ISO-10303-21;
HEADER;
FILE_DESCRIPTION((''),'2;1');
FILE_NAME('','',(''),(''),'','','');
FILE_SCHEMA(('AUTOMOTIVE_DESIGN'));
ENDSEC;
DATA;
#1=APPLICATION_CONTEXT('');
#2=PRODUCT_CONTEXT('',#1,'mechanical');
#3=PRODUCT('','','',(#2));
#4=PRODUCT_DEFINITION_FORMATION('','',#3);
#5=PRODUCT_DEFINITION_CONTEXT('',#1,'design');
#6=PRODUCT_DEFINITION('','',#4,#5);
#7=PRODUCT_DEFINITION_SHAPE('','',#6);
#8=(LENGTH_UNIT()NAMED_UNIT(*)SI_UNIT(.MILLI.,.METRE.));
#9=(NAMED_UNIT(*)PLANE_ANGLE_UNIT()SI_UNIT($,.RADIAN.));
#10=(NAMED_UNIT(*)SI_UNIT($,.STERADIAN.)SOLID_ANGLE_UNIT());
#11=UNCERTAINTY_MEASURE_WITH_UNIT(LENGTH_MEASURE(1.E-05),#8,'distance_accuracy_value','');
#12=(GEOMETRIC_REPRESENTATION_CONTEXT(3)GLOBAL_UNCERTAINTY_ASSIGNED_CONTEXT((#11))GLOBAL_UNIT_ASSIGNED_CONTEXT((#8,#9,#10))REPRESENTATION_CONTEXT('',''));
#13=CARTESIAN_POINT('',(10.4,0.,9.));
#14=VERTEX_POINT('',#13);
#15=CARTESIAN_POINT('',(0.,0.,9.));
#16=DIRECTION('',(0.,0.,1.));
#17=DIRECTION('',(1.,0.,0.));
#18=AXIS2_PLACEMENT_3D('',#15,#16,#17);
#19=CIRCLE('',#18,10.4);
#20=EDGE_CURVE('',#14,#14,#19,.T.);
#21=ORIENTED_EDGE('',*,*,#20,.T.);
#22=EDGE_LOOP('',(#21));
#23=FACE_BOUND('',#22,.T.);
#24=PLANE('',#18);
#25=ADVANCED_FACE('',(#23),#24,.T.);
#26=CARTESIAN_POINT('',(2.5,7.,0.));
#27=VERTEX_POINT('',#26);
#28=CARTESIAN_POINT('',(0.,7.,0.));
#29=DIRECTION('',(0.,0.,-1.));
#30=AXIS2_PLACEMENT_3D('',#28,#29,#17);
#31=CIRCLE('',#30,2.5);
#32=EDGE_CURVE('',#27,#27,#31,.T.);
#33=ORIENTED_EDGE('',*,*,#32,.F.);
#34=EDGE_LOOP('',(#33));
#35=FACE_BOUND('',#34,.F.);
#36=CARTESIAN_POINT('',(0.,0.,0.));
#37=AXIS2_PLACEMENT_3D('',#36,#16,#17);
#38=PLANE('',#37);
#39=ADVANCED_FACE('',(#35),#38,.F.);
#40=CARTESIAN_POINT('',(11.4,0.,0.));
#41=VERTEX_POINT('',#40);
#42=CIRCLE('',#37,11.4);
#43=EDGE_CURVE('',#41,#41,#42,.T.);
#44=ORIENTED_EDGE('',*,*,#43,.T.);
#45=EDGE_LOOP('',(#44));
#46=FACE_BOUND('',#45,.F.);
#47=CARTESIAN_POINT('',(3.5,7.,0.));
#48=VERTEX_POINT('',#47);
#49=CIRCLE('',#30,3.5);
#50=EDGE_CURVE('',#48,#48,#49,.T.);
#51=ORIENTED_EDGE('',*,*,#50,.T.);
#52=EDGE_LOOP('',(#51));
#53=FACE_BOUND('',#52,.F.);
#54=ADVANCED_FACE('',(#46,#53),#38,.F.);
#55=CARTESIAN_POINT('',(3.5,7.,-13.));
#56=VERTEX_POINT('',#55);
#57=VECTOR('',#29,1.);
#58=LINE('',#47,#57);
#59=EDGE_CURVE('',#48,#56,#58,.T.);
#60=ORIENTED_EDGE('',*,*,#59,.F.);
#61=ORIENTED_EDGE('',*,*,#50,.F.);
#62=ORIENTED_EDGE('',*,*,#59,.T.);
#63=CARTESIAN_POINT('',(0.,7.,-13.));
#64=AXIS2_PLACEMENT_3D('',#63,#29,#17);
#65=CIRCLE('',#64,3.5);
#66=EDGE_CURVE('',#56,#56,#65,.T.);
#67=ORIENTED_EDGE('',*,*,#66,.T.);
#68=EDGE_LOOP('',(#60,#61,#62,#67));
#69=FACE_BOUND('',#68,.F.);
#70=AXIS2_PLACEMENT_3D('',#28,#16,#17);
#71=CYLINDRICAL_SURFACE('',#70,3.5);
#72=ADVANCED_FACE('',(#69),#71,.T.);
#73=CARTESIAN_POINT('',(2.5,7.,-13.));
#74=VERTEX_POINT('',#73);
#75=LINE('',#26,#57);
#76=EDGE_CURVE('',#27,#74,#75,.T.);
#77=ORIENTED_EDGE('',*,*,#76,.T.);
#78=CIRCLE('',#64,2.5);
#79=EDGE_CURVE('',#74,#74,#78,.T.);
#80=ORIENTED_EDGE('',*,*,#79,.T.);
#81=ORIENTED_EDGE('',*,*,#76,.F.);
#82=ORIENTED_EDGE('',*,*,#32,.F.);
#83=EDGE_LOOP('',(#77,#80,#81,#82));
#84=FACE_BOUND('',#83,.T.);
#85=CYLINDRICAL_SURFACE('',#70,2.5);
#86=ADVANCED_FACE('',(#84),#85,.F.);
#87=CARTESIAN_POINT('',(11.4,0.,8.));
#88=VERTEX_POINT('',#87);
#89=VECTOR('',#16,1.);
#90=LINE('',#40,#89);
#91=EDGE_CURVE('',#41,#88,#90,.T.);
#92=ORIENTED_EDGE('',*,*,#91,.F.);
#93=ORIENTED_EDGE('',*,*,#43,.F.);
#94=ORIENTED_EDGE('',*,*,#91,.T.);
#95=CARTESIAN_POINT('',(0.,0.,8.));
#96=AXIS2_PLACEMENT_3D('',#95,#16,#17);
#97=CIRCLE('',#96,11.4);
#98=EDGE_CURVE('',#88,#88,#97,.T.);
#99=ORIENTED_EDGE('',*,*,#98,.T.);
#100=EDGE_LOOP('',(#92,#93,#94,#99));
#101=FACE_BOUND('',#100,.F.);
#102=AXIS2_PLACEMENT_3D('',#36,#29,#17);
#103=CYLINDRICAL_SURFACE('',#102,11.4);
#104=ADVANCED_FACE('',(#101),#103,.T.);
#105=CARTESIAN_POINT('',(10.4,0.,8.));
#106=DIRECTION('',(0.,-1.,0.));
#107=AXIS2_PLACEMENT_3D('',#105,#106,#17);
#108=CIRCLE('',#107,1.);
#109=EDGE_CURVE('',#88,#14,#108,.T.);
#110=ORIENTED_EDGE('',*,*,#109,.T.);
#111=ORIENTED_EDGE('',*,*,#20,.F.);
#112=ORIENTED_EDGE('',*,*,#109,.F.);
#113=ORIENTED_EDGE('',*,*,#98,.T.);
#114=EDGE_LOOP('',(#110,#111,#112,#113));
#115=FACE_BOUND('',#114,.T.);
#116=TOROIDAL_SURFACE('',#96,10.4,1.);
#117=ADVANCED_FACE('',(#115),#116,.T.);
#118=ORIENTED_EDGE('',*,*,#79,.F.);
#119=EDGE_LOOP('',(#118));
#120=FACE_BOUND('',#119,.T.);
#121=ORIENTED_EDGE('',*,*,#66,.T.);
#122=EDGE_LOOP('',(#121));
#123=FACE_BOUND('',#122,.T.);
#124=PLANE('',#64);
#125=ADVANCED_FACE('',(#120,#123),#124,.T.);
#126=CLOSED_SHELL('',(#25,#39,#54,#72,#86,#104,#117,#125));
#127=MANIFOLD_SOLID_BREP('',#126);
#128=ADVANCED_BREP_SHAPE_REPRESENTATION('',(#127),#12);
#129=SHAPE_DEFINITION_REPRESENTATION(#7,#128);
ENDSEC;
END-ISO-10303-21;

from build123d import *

# Parameters (mm, degrees)
F0_R     = 11.4
F1_DEPTH = 9
F2_R     = 3.5
F2_R_2   = 2.5
F3_DEPTH = 13
F4_R     = 1


with BuildPart() as f1:
    # F0 (on Top) → F1 (new body)
    with BuildSketch(Plane.XY):
        Circle(F0_R)
    extrude(amount=F1_DEPTH)

    # F2 (on face) → F3 (join)
    with BuildSketch(Plane(origin=(0, 0, 0), x_dir=(1, 0, 0), z_dir=(0, 0, -1))):
        with Locations((0, -7)):
            Circle(F2_R)
        with Locations((0, -7)):
            Circle(F2_R_2, mode=Mode.SUBTRACT)
    extrude(amount=F3_DEPTH)

    # F4
    f4_edges = [f1.edges().sort_by_distance(p)[0] for p in [
        (-11.4, 0, 9),
    ]]
    fillet(f4_edges, radius=F4_R)


solid = f1.part
